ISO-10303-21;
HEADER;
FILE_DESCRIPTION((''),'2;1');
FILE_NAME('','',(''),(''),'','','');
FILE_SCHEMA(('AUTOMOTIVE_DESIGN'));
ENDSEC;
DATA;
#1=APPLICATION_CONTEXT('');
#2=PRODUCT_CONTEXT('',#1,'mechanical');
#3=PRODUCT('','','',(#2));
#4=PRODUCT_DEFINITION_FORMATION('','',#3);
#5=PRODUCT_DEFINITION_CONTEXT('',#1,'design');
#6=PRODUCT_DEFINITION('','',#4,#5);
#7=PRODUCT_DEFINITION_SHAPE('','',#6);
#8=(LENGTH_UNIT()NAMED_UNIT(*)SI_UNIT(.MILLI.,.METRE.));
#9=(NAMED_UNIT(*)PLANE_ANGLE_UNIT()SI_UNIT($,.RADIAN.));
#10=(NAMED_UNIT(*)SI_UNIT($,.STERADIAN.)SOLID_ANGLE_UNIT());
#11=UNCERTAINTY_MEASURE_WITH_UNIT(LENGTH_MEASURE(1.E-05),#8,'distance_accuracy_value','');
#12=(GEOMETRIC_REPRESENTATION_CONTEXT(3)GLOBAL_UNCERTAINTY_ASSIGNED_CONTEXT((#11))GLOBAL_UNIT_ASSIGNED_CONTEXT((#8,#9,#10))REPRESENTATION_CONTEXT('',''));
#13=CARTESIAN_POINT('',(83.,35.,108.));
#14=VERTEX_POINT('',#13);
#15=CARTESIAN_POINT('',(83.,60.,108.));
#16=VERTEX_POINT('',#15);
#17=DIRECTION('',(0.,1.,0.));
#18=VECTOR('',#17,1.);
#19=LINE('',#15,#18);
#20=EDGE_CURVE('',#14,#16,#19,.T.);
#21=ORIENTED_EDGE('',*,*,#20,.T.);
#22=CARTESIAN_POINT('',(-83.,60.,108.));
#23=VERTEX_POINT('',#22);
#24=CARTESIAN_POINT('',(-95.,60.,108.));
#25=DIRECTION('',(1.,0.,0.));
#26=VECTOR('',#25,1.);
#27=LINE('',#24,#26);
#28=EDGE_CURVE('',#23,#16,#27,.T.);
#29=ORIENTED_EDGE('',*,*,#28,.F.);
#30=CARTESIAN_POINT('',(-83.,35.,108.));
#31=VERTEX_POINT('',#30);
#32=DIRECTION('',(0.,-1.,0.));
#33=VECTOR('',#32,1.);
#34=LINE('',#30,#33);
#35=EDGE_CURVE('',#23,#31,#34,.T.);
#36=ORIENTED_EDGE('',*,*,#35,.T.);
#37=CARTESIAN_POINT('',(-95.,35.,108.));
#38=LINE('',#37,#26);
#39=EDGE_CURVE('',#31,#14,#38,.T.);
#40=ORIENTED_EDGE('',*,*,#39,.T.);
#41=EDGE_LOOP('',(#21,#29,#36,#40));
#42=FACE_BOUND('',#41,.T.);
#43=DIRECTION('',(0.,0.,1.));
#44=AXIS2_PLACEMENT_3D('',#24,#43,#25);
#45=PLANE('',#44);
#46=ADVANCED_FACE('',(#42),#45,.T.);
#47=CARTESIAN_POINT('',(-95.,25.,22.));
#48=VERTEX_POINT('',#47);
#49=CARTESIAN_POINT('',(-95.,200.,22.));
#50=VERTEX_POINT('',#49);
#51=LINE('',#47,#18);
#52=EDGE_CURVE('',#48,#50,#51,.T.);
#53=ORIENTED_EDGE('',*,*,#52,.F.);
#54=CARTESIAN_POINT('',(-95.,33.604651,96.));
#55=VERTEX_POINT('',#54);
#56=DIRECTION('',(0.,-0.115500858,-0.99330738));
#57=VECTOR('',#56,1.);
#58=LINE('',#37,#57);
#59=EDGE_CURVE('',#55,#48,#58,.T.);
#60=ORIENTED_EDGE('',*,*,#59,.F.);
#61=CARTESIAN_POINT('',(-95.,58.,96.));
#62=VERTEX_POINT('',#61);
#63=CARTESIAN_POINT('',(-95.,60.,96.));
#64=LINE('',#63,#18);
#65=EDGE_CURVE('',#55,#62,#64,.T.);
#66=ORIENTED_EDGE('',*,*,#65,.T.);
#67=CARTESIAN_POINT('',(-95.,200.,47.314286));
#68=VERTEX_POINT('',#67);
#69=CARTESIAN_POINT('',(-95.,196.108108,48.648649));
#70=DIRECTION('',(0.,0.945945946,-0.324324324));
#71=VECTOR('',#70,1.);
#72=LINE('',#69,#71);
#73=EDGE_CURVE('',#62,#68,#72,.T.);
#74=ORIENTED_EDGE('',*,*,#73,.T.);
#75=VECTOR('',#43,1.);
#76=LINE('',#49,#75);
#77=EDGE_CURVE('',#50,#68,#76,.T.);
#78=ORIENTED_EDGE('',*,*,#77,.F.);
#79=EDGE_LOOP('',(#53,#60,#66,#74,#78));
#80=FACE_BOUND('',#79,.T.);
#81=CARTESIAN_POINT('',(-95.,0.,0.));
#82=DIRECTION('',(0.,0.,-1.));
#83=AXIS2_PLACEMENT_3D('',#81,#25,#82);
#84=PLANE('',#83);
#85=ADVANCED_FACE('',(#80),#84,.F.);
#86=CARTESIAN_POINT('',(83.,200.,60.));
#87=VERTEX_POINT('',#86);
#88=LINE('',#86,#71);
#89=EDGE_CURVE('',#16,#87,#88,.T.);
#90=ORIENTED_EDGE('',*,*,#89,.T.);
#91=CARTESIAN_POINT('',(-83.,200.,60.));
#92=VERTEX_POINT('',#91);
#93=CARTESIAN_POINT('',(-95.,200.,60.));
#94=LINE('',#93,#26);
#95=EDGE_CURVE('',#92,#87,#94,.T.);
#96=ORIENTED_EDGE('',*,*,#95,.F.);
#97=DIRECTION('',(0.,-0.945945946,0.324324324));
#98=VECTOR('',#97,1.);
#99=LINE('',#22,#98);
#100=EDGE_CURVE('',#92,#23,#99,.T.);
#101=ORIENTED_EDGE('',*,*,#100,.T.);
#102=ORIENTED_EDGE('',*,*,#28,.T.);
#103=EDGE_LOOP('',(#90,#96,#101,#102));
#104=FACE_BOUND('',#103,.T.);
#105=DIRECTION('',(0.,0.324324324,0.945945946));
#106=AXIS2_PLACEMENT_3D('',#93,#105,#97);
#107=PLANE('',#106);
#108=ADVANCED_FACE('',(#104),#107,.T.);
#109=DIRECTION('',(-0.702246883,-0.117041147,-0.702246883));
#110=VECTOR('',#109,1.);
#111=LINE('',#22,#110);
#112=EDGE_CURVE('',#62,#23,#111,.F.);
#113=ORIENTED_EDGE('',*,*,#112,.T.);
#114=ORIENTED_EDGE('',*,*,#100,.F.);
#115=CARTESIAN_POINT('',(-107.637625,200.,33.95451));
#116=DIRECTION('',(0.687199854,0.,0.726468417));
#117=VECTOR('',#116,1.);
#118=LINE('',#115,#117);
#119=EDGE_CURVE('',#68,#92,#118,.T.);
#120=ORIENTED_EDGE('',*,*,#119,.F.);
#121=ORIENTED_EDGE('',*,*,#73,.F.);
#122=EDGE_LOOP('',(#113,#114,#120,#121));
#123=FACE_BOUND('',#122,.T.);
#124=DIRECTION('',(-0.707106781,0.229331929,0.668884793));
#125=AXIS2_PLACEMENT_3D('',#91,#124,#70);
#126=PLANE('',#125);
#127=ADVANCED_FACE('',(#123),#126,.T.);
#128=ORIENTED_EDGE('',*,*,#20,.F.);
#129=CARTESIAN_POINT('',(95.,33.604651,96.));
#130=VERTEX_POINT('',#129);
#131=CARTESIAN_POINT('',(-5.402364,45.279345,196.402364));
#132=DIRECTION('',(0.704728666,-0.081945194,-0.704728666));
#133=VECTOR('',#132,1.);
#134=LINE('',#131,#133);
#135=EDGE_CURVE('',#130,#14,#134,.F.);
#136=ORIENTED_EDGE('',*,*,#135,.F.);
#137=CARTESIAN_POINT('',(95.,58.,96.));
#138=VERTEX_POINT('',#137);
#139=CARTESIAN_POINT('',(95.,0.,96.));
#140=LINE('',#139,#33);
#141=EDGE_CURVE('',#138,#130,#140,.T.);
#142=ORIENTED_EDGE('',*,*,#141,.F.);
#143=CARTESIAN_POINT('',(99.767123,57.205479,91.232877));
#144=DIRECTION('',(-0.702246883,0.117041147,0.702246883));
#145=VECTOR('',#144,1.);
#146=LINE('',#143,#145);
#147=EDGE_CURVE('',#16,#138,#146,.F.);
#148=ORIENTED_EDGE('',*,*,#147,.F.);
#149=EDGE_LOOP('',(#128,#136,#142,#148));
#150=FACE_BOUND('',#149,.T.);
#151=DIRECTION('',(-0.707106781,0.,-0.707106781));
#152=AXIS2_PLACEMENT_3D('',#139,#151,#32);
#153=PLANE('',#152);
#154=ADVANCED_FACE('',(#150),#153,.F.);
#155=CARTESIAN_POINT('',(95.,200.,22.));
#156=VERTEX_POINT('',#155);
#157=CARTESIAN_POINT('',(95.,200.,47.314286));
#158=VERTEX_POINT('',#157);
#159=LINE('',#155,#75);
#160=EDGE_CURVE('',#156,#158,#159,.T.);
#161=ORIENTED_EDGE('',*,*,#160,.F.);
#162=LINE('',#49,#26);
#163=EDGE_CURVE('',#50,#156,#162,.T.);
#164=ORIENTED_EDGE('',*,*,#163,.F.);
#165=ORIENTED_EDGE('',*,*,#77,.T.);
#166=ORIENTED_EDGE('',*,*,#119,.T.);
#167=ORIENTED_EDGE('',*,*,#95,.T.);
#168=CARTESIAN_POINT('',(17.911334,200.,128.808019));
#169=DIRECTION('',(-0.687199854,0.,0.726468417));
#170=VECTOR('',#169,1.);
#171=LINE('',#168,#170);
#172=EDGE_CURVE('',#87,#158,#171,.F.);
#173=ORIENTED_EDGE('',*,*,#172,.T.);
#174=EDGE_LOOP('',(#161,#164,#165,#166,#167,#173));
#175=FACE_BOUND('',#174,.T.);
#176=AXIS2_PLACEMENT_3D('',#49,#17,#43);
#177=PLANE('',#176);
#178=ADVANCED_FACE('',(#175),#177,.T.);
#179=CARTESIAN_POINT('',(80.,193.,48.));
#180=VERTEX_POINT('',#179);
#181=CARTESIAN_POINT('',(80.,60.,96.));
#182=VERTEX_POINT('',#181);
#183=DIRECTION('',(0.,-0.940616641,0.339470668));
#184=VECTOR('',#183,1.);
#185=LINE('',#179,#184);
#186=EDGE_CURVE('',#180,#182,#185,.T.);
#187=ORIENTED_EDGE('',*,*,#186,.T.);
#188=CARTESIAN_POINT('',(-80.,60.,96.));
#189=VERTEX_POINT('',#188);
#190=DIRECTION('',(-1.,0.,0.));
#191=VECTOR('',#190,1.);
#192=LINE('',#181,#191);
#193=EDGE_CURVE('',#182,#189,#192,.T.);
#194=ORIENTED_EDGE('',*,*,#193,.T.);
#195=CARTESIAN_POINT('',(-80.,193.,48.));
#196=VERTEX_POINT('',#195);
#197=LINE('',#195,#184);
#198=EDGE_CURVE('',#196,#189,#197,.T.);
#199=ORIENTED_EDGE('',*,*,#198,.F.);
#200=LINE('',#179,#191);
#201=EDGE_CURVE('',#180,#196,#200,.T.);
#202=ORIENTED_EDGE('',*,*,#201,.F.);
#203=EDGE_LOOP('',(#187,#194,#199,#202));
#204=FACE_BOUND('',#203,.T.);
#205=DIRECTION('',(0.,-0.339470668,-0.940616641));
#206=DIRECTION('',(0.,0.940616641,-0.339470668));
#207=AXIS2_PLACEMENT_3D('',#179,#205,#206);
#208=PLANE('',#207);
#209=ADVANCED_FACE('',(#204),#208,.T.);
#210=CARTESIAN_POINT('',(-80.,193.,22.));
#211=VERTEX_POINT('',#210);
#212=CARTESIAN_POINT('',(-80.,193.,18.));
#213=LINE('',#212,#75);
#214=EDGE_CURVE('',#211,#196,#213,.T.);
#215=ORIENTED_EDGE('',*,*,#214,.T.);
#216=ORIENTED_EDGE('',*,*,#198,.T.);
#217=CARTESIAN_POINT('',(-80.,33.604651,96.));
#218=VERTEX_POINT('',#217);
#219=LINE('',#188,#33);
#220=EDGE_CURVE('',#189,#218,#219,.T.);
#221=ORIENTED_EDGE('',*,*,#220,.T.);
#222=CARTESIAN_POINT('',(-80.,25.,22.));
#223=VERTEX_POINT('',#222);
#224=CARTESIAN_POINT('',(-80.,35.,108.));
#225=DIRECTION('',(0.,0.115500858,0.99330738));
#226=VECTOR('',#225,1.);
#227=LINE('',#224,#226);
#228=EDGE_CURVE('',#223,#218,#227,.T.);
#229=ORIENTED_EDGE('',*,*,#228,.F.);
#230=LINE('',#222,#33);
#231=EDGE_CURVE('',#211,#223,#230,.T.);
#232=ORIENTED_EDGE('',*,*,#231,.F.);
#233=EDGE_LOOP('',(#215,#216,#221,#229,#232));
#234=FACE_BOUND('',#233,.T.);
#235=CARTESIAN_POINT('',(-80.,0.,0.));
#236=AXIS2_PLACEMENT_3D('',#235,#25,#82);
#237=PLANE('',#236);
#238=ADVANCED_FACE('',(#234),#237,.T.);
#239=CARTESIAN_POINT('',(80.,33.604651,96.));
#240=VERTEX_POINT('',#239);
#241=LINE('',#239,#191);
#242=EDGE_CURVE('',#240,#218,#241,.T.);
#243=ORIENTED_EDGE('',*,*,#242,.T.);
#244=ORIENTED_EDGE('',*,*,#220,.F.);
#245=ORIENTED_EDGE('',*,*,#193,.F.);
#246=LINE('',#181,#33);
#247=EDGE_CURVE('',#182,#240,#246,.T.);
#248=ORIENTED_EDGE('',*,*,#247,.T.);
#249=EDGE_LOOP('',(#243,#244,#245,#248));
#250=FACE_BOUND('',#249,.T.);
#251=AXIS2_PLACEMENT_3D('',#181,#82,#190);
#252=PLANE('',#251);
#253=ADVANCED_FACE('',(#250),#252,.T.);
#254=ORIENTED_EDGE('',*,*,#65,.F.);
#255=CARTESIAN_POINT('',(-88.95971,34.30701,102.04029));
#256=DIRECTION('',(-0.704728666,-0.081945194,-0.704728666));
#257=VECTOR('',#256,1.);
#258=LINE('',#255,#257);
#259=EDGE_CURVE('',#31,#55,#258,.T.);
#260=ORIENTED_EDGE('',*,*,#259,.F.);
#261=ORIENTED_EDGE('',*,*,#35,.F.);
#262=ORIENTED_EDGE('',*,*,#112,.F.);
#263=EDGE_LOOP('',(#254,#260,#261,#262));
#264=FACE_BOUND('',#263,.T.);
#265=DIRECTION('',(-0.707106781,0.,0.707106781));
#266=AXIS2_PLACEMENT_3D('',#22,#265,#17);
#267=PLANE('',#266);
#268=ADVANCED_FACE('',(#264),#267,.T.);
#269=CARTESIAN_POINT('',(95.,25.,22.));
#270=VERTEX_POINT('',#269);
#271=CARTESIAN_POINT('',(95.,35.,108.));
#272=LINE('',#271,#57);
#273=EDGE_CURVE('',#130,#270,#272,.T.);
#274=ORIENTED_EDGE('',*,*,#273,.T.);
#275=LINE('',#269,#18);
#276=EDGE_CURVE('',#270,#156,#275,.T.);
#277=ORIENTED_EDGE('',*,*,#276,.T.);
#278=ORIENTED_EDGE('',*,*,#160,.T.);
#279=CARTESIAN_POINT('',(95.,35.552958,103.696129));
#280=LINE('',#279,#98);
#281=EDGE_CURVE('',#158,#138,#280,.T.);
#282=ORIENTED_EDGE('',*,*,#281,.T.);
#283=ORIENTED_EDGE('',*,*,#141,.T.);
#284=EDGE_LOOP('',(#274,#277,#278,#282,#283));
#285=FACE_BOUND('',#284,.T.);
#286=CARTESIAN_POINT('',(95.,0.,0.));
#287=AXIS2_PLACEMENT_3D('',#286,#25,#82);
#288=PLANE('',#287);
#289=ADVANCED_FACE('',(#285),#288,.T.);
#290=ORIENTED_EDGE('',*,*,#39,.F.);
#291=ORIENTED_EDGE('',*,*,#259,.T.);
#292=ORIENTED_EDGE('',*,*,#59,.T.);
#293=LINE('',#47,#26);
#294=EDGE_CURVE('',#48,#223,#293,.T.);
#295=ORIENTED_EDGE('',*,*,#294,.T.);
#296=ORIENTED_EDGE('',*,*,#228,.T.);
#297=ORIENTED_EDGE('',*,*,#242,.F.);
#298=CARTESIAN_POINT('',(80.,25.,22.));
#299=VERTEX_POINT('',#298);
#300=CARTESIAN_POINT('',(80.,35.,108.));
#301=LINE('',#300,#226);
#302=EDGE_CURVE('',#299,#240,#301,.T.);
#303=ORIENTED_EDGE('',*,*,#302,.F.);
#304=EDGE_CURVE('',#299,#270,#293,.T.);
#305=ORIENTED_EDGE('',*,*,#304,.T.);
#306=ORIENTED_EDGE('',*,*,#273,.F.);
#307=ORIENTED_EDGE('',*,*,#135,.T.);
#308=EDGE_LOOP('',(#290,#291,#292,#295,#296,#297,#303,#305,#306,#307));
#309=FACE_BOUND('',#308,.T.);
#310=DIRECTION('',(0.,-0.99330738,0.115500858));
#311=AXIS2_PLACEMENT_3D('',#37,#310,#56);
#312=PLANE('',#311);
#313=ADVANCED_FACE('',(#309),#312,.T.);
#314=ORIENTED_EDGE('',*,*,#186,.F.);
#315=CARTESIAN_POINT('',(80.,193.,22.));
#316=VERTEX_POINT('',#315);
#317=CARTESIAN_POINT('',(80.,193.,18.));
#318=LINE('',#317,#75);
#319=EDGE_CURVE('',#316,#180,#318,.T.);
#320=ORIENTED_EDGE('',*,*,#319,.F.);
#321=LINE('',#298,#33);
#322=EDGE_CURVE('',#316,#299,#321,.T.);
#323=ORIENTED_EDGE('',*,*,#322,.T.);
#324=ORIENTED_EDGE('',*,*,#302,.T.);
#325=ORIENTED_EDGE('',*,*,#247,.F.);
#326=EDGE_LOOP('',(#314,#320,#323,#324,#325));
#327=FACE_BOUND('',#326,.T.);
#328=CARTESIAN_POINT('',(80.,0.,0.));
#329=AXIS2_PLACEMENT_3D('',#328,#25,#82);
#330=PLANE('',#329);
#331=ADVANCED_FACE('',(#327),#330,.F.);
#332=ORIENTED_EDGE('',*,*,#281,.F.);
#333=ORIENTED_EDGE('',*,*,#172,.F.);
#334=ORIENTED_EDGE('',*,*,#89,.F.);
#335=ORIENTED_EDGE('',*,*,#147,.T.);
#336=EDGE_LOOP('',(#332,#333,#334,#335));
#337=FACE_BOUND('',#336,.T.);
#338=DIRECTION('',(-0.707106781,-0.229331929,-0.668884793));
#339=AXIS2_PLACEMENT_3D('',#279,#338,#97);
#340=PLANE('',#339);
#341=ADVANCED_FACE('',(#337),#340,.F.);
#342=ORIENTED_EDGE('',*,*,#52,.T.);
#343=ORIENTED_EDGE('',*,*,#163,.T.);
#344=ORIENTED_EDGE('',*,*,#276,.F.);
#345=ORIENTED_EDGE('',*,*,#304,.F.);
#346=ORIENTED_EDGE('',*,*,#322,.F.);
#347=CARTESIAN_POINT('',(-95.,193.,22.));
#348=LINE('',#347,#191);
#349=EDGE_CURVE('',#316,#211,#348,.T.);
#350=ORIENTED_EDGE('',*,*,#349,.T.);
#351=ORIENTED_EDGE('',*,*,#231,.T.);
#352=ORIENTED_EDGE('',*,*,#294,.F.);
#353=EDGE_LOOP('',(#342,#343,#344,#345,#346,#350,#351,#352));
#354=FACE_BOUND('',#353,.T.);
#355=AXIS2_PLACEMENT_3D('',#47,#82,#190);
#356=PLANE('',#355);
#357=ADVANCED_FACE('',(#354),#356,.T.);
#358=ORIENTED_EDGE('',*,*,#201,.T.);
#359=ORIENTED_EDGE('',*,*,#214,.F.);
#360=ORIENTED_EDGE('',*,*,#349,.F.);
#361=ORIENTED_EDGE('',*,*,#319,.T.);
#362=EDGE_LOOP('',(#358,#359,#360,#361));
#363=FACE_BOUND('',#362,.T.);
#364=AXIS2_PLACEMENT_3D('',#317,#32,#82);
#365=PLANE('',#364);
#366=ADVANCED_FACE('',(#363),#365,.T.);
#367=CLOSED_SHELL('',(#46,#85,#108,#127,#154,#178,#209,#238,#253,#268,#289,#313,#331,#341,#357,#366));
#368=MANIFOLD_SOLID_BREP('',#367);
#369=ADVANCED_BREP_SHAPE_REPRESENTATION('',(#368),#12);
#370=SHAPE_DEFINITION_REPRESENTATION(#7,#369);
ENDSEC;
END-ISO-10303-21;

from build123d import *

# Parameters (mm, degrees)
SLOPED_COVER_BLANK_DEPTH                        = 95
SLOPED_COVER_BLANK_DEPTH_BACK                   = 95
OPEN_BOTTOM_AND_FRONT_COVER_CAVITY_DEPTH        = 80
OPEN_BOTTOM_AND_FRONT_COVER_CAVITY_DEPTH_BACK   = 80
F_12_MM_FULL_LENGTH_SHAPE_DEFINING_ROOF_CH_SIZE = 12


with BuildPart() as part:
    # Sloped Cover Outer Side Profile → Sloped Cover Blank (new, two sides: drawn at the far end of the back side and taken through both)
    with BuildSketch(Plane(origin=(0, 0, 0), x_dir=(0, 0, -1), z_dir=(1, 0, 0)).offset(-SLOPED_COVER_BLANK_DEPTH_BACK)):
        Polygon((-22, 25), (-22, 200), (-60, 200), (-108, 60), (-108, 35), align=None)
    extrude(amount=SLOPED_COVER_BLANK_DEPTH + SLOPED_COVER_BLANK_DEPTH_BACK)

    # Open Bottom Cover Cavity Profile → Open Bottom and Front Cover Cavity (cut, two sides: drawn at the far end of the back side and taken through both)
    with BuildSketch(Plane(origin=(0, 0, 0), x_dir=(0, 0, -1), z_dir=(1, 0, 0)).offset(-OPEN_BOTTOM_AND_FRONT_COVER_CAVITY_DEPTH_BACK)):
        Polygon((-18, 23), (-18, 193), (-48, 193), (-96, 60), (-96, 33.604651163), align=None)
    extrude(amount=OPEN_BOTTOM_AND_FRONT_COVER_CAVITY_DEPTH + OPEN_BOTTOM_AND_FRONT_COVER_CAVITY_DEPTH_BACK, mode=Mode.SUBTRACT)

    # 12 mm Full-Length Shape-Defining Roof Chamfers
    f_12_mm_full_length_shape_defining_roof_ch_edges = [part.edges().sort_by_distance(p)[0] for p in [
        (95, 130, 84),
        (95, 47.5, 108),
        (-95, 130, 84),
        (-95, 47.5, 108),
    ]]
    chamfer(f_12_mm_full_length_shape_defining_roof_ch_edges, length=F_12_MM_FULL_LENGTH_SHAPE_DEFINING_ROOF_CH_SIZE)


solid = part.part
